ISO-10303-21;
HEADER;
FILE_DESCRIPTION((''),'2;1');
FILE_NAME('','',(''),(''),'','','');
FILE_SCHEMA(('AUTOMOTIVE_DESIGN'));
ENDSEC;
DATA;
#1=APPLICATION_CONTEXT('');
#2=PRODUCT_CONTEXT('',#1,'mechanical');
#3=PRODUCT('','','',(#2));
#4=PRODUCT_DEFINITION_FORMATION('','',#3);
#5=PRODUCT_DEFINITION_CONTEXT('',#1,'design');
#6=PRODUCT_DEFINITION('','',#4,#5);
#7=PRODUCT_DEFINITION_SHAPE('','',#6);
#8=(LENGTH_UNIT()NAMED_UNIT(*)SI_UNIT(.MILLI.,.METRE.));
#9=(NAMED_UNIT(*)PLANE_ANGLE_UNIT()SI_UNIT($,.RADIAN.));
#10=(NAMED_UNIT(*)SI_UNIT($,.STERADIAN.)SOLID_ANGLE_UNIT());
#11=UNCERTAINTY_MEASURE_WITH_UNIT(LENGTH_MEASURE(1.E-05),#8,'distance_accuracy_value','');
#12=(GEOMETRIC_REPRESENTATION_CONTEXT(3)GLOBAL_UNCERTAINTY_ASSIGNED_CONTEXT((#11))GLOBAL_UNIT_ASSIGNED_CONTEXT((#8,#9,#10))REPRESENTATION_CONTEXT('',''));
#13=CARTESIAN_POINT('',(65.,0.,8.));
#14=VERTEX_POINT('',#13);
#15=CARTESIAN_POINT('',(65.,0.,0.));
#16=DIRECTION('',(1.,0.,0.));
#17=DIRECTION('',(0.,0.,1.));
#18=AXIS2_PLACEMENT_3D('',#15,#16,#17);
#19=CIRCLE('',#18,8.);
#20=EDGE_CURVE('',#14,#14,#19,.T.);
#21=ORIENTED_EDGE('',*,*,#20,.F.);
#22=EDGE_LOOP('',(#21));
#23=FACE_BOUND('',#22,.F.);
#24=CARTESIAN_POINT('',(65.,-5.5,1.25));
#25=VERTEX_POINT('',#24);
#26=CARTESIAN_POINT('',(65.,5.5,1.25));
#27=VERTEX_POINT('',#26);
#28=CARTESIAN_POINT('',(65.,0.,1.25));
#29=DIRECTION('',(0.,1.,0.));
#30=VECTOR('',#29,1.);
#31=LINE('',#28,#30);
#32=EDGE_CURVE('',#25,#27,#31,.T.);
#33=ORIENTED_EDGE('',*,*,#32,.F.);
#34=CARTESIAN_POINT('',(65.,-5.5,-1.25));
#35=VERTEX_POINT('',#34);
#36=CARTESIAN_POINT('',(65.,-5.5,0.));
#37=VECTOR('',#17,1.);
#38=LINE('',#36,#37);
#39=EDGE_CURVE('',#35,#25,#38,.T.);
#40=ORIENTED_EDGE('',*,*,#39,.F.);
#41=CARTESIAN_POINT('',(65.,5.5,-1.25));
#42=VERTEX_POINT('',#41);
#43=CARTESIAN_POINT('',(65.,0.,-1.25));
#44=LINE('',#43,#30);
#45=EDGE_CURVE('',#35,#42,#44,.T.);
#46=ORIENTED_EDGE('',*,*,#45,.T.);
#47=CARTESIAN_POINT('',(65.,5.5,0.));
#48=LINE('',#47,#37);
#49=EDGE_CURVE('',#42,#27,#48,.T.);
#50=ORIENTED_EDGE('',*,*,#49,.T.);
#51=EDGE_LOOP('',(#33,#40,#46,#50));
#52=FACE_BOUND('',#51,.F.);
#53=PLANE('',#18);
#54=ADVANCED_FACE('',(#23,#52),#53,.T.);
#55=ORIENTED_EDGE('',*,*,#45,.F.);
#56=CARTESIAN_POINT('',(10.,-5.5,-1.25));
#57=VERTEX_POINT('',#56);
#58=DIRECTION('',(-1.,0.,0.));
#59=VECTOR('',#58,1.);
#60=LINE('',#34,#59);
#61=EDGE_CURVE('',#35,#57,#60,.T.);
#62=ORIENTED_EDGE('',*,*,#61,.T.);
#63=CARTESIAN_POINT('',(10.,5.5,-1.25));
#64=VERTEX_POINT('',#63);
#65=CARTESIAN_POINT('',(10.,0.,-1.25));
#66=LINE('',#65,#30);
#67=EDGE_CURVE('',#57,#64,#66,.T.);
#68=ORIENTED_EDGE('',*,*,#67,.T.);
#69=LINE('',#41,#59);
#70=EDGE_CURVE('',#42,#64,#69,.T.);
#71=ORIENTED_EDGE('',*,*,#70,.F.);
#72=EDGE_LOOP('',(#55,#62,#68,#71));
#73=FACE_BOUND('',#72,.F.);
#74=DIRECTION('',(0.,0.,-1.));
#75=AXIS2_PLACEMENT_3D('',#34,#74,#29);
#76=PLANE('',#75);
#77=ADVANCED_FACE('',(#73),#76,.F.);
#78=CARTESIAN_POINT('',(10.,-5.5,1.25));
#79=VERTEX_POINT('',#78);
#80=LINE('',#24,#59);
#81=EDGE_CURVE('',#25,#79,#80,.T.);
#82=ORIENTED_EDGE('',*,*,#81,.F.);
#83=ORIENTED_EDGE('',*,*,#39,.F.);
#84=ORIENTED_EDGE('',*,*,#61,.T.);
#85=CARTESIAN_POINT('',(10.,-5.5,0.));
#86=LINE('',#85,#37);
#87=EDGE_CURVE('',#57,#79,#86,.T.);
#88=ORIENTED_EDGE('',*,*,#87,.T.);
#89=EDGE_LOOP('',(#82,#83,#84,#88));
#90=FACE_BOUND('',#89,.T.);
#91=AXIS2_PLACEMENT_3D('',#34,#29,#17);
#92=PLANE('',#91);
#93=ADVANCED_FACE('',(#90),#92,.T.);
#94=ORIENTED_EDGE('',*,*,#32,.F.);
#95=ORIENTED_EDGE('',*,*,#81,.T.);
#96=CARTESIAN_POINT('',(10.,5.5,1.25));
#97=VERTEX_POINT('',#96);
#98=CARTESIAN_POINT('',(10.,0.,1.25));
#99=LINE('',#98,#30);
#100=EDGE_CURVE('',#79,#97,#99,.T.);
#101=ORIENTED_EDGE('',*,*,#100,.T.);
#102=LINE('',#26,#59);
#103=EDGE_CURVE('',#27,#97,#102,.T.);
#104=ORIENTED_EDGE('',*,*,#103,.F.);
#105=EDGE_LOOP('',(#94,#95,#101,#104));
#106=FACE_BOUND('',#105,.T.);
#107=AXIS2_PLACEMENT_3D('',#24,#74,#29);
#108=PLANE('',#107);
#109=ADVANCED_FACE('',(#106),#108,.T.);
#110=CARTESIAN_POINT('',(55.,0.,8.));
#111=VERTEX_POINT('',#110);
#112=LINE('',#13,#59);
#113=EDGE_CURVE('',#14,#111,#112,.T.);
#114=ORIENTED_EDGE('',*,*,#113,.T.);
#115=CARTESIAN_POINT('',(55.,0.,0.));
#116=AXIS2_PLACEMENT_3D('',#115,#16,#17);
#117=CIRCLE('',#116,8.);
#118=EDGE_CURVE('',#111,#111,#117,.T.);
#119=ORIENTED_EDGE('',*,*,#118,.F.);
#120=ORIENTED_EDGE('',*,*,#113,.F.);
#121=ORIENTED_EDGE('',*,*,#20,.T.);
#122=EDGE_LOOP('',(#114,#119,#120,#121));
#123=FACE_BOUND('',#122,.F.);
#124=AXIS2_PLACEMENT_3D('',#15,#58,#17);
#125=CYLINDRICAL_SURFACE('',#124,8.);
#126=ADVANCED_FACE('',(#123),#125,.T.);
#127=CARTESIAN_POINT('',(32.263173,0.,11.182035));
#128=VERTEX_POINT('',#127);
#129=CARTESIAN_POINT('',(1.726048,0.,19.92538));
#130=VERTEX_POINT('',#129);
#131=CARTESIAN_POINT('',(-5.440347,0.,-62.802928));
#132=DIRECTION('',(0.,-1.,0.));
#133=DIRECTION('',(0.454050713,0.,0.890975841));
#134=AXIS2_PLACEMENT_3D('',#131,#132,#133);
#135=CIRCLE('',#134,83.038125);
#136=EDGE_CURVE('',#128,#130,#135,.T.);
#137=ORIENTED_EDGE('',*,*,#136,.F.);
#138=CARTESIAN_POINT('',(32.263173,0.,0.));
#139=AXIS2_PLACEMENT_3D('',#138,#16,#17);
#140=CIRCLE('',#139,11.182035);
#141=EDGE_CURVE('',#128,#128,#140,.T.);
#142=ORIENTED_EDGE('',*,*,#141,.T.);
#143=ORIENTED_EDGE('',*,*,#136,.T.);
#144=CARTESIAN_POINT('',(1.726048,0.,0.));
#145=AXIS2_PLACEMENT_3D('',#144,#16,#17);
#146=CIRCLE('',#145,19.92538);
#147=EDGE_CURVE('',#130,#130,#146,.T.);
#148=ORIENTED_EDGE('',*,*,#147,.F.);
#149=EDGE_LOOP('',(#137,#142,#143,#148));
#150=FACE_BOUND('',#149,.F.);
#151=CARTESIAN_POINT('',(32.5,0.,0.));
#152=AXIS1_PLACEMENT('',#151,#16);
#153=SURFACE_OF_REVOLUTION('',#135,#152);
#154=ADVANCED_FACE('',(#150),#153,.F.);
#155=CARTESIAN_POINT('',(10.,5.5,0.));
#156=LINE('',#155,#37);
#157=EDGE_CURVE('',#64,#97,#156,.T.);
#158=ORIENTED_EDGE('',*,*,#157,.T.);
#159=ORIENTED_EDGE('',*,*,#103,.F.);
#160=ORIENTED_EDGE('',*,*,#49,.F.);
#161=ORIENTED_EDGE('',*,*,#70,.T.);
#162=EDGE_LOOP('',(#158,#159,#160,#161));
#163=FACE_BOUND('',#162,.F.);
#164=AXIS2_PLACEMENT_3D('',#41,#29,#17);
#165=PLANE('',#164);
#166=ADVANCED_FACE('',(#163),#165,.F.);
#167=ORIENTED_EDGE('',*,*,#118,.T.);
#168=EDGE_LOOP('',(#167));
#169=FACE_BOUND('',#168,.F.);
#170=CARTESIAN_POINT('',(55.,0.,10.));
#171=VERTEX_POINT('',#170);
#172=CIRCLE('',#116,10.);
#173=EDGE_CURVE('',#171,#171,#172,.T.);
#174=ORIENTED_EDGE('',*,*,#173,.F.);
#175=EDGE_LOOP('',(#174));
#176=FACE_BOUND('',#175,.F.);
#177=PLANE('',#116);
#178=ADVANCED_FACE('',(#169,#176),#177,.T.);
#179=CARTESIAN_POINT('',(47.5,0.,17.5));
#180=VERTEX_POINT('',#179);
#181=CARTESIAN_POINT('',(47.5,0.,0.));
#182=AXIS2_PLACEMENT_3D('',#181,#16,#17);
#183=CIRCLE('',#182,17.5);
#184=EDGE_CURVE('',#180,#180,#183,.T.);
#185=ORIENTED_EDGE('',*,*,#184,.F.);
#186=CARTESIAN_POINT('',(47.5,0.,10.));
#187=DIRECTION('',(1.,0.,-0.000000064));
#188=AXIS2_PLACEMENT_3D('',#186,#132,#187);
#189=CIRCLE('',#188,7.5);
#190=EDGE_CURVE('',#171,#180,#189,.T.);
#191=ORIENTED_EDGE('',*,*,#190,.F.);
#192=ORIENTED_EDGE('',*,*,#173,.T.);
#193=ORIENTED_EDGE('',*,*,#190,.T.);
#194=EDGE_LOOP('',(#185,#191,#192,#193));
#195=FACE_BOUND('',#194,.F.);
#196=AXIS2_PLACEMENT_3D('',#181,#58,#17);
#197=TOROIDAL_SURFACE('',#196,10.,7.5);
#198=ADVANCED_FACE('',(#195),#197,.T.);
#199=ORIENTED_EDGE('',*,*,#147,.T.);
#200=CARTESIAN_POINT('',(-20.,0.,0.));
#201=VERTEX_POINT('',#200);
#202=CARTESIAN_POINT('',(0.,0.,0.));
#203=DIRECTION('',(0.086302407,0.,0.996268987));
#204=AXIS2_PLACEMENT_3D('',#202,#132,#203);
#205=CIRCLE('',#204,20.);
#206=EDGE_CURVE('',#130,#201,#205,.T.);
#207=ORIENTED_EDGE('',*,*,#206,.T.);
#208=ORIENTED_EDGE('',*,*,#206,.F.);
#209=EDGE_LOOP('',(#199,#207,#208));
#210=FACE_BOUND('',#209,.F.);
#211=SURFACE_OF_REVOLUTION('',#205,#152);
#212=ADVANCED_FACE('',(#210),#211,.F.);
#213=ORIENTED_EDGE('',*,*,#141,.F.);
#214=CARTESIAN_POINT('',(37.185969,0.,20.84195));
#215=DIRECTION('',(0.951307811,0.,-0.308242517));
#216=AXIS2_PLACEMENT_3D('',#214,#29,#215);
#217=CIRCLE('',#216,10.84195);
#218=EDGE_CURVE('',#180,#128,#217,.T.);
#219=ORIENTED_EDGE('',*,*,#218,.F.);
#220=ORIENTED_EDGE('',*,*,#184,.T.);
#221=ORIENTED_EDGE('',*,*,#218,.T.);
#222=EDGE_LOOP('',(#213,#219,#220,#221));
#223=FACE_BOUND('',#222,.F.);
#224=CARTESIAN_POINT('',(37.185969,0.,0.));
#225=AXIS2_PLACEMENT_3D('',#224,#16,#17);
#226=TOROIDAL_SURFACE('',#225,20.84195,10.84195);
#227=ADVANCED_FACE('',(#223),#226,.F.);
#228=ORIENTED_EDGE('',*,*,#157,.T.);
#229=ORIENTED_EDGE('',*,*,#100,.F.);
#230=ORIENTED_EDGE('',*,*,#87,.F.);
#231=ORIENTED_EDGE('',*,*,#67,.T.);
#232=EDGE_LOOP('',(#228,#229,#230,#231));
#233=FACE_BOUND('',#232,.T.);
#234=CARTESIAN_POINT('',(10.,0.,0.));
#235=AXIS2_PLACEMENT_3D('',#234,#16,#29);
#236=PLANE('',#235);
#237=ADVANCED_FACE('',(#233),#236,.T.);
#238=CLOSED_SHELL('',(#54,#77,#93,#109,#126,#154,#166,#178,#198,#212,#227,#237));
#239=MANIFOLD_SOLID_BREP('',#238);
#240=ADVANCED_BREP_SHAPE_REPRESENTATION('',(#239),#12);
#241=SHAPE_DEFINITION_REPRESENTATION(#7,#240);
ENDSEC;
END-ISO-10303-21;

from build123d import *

# Parameters (mm, degrees)
F2_W     = 11
F2_H     = 2.5
F3_DEPTH = 55


with BuildPart() as f1:
    # F0 (on Front) → F1 (revolve)
    with BuildSketch(Plane.XZ):
        with BuildLine():
            ThreePointArc((32.263173, 11.182035), (17.416574, 17.027463), (1.726048, 19.92538))
            ThreePointArc((1.726048, 19.92538), (-13.518118, 14.739759), (-20, 0))
            Line((-20, 0), (0, 0))
            Line((0, 0), (65, 0))
            Line((65, 0), (65, 8))
            Line((65, 8), (55, 8))
            Line((55, 8), (55, 10))
            ThreePointArc((55, 10), (52.803301, 15.303301), (47.5, 17.5))
            ThreePointArc((47.5, 17.5), (41.338742, 10.826844), (32.263173, 11.182035))
        make_face()
    revolve(axis=Axis((32.5, 0, 0), (1, 0, 0)))

    # F2 (on face) → F3 (cut)
    with BuildSketch(Plane.YZ.offset(65)):
        Rectangle(F2_W, F2_H)
    extrude(amount=-F3_DEPTH, mode=Mode.SUBTRACT)


solid = f1.part
